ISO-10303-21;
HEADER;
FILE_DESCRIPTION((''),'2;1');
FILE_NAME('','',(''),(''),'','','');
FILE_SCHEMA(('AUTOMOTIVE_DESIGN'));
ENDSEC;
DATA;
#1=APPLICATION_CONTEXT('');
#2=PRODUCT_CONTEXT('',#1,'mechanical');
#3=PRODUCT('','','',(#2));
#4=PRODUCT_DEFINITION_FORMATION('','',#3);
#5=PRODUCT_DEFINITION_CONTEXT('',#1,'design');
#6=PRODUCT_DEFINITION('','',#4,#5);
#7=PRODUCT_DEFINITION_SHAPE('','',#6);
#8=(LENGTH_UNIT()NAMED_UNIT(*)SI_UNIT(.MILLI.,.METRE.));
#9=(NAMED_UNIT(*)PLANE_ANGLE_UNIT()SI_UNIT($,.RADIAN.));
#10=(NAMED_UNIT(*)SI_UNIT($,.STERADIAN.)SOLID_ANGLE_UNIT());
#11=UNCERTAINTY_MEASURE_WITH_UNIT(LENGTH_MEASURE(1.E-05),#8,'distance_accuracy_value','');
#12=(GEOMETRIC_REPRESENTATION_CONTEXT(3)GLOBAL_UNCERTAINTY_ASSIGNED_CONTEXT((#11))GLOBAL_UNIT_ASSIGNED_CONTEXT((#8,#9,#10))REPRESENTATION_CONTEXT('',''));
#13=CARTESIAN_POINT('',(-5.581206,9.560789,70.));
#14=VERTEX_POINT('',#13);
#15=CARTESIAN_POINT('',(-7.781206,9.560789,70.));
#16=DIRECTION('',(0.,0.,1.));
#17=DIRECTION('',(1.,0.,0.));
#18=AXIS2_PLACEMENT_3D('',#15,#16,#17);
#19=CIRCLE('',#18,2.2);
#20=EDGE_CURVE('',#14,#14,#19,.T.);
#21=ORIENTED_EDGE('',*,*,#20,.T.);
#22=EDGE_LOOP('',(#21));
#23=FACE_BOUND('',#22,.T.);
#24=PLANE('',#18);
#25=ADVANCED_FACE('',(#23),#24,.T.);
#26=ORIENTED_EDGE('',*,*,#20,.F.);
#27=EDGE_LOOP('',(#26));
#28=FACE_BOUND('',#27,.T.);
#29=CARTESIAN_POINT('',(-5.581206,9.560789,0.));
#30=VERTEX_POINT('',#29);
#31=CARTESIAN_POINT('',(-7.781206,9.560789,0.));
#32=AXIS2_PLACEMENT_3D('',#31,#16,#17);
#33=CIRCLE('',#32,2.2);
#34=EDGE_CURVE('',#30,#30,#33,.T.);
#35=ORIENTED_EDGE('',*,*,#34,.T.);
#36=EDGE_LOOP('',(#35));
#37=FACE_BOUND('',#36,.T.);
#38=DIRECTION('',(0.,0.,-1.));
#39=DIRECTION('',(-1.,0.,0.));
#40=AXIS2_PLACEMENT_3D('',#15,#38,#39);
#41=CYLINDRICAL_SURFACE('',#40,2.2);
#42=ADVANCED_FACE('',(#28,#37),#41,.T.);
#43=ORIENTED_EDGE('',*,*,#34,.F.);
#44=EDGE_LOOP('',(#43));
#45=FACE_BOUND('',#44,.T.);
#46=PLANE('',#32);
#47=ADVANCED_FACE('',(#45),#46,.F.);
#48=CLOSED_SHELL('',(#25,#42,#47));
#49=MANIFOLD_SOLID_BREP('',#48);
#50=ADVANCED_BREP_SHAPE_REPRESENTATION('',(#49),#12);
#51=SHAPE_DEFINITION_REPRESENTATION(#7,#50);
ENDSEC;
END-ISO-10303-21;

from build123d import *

# Parameters (mm, degrees)
ESQUISSE1_R        = 2.2
BOSS_EXTRU_1_DEPTH = 70


with BuildPart() as part:
    # Esquisse1 → Boss.-Extru.1 (new body)
    with BuildSketch(Plane.XY):
        with Locations((-7.781206048, 9.56078905)):
            Circle(ESQUISSE1_R)
    extrude(amount=BOSS_EXTRU_1_DEPTH)


solid = part.part
